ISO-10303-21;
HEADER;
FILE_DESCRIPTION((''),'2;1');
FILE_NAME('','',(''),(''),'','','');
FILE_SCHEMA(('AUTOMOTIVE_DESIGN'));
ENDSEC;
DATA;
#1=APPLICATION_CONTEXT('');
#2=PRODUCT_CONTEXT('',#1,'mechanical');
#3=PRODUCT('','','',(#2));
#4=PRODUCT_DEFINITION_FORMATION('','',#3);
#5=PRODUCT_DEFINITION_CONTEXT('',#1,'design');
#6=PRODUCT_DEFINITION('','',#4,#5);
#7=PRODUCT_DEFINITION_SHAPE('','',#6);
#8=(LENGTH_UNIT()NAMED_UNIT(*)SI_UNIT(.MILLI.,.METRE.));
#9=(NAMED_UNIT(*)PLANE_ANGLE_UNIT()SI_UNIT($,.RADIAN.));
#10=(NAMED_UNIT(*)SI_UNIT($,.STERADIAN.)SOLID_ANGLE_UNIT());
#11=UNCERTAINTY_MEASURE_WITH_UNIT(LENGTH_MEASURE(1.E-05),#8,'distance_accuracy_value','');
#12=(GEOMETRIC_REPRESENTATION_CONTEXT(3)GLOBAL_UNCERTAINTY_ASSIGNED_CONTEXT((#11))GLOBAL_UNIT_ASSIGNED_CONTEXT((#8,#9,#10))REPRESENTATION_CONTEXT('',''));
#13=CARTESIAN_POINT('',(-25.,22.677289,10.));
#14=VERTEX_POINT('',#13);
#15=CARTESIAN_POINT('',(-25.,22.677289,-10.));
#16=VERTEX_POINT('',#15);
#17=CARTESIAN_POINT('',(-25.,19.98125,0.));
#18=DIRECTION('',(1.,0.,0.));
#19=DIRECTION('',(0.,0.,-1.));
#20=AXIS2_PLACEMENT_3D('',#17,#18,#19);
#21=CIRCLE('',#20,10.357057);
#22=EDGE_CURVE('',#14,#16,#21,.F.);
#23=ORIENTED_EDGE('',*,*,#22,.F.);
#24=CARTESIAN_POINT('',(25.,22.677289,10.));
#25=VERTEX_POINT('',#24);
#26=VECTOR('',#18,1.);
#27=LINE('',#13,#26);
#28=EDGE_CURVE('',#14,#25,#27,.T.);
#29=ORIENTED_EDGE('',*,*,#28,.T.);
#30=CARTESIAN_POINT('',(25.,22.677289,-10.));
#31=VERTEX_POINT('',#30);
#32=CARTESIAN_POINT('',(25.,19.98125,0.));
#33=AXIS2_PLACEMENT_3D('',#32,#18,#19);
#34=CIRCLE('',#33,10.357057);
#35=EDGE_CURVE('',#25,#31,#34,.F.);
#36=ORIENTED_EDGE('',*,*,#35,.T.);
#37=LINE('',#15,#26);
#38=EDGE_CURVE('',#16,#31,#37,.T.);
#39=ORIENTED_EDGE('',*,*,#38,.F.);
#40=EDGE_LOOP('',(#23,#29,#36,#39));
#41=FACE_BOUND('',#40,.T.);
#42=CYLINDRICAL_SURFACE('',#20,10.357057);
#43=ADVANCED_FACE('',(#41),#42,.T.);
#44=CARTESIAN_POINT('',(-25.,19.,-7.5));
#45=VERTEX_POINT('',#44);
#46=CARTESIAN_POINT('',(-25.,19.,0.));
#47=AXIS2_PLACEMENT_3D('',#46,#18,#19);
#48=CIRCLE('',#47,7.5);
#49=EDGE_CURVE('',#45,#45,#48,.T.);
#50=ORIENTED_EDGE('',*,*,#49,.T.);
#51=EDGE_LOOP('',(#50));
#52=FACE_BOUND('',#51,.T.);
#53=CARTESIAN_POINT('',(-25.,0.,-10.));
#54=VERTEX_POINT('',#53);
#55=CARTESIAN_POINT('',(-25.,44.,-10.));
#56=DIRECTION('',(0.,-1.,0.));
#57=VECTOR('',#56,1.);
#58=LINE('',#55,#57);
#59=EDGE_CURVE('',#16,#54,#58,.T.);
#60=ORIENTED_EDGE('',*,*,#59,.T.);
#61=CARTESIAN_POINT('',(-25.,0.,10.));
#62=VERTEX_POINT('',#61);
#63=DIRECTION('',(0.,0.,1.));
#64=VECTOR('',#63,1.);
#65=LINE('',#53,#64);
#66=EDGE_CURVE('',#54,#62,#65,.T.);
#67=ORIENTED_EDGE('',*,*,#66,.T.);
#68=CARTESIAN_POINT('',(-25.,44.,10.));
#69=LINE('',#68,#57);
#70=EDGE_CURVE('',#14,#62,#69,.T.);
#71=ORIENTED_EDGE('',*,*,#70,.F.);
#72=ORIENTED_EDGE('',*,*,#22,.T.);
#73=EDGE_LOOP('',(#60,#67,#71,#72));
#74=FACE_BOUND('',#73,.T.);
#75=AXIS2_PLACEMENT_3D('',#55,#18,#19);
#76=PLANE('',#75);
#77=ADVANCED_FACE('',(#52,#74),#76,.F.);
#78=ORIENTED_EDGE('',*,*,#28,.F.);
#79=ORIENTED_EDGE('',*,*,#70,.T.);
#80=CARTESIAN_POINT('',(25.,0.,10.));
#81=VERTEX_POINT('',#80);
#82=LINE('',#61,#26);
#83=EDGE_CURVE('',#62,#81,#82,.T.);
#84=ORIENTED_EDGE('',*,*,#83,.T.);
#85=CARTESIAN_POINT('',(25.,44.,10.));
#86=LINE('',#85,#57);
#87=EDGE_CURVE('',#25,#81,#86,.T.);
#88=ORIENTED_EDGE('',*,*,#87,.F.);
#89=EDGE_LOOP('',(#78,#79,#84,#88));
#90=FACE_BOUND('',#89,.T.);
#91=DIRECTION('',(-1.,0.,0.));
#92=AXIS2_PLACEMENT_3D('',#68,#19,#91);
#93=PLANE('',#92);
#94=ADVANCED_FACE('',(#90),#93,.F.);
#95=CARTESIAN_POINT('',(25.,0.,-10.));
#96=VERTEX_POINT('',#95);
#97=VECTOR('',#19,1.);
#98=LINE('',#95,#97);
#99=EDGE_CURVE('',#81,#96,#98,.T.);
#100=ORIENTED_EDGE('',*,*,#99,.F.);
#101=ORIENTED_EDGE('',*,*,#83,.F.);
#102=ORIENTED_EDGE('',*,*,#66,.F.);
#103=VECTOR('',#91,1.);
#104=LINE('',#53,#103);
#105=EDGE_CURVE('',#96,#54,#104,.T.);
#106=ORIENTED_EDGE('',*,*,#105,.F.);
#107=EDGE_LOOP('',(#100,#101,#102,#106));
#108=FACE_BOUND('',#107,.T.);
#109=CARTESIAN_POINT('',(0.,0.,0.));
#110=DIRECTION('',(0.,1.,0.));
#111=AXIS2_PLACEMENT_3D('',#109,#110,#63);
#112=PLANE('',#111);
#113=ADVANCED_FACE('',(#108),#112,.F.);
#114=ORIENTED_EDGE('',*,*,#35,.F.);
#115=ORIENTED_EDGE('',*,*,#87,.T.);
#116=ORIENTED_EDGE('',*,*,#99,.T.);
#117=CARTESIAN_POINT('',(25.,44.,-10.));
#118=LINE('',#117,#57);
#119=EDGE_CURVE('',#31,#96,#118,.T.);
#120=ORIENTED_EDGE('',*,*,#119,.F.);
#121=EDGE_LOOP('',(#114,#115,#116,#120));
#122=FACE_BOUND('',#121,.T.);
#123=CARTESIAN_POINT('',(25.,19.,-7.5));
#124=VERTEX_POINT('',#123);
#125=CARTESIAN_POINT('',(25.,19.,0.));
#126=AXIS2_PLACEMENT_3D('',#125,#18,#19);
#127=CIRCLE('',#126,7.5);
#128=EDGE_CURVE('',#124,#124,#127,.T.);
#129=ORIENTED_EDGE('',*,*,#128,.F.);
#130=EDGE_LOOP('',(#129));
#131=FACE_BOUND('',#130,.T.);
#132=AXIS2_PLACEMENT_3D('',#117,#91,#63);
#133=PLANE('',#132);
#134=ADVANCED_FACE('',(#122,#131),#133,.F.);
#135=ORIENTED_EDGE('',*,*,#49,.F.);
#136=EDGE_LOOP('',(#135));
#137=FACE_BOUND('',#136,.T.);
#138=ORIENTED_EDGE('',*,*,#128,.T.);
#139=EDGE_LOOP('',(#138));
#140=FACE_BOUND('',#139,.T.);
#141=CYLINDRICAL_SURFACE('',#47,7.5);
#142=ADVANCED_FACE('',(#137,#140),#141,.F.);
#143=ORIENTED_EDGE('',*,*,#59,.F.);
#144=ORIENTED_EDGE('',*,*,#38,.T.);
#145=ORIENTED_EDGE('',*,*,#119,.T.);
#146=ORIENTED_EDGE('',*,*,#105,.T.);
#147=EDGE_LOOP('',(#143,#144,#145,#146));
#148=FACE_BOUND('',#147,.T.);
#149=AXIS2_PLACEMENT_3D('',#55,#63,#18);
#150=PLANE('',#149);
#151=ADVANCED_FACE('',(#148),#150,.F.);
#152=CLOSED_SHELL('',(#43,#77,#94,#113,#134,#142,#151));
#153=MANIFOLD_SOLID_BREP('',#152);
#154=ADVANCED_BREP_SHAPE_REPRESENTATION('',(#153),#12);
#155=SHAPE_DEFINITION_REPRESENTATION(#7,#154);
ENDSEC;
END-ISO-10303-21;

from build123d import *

# Parameters (mm, degrees)
SKETCH1_W               = 50
SKETCH1_H               = 20
BOSS_EXTRUDE1_DEPTH     = 44
SKETCH3_R               = 7.5
CUT_EXTRUDE3_DEPTH      = 26
CUT_EXTRUDE3_DEPTH_BACK = 26
CUT_EXTRUDE4_DEPTH      = 26
CUT_EXTRUDE4_DEPTH_BACK = 26


with BuildPart() as part:
    # Sketch1 → Boss-Extrude1 (new body)
    with BuildSketch(Plane(origin=(0, 0, 0), x_dir=(1, 0, 0), z_dir=(0, 1, 0))):
        Rectangle(SKETCH1_W, SKETCH1_H)
    extrude(amount=BOSS_EXTRUDE1_DEPTH)

    # Sketch3 → Cut-Extrude3 (cut, two sides)
    with BuildSketch(Plane(origin=(0, 0, 0), x_dir=(0, 0, -1), z_dir=(1, 0, 0))) as cut_extrude3_sk:
        with Locations((0, 19)):
            Circle(SKETCH3_R)
    extrude(amount=CUT_EXTRUDE3_DEPTH, mode=Mode.SUBTRACT)
    extrude(cut_extrude3_sk.sketch, amount=-CUT_EXTRUDE3_DEPTH_BACK, mode=Mode.SUBTRACT)

    # Sketch4 → Cut-Extrude4 (cut, two sides)
    with BuildSketch(Plane(origin=(0, 0, 0), x_dir=(0, 0, -1), z_dir=(1, 0, 0))) as cut_extrude4_sk:
        with BuildLine():
            Line((-10, 22.677289201), (-10, 44))
            Line((-10, 44), (10, 44))
            Line((10, 44), (10, 22.677289201))
            ThreePointArc((10, 22.677289201), (0, 30.338307173), (-10, 22.677289201))
        make_face()
    extrude(amount=CUT_EXTRUDE4_DEPTH, mode=Mode.SUBTRACT)
    extrude(cut_extrude4_sk.sketch, amount=-CUT_EXTRUDE4_DEPTH_BACK, mode=Mode.SUBTRACT)


solid = part.part
